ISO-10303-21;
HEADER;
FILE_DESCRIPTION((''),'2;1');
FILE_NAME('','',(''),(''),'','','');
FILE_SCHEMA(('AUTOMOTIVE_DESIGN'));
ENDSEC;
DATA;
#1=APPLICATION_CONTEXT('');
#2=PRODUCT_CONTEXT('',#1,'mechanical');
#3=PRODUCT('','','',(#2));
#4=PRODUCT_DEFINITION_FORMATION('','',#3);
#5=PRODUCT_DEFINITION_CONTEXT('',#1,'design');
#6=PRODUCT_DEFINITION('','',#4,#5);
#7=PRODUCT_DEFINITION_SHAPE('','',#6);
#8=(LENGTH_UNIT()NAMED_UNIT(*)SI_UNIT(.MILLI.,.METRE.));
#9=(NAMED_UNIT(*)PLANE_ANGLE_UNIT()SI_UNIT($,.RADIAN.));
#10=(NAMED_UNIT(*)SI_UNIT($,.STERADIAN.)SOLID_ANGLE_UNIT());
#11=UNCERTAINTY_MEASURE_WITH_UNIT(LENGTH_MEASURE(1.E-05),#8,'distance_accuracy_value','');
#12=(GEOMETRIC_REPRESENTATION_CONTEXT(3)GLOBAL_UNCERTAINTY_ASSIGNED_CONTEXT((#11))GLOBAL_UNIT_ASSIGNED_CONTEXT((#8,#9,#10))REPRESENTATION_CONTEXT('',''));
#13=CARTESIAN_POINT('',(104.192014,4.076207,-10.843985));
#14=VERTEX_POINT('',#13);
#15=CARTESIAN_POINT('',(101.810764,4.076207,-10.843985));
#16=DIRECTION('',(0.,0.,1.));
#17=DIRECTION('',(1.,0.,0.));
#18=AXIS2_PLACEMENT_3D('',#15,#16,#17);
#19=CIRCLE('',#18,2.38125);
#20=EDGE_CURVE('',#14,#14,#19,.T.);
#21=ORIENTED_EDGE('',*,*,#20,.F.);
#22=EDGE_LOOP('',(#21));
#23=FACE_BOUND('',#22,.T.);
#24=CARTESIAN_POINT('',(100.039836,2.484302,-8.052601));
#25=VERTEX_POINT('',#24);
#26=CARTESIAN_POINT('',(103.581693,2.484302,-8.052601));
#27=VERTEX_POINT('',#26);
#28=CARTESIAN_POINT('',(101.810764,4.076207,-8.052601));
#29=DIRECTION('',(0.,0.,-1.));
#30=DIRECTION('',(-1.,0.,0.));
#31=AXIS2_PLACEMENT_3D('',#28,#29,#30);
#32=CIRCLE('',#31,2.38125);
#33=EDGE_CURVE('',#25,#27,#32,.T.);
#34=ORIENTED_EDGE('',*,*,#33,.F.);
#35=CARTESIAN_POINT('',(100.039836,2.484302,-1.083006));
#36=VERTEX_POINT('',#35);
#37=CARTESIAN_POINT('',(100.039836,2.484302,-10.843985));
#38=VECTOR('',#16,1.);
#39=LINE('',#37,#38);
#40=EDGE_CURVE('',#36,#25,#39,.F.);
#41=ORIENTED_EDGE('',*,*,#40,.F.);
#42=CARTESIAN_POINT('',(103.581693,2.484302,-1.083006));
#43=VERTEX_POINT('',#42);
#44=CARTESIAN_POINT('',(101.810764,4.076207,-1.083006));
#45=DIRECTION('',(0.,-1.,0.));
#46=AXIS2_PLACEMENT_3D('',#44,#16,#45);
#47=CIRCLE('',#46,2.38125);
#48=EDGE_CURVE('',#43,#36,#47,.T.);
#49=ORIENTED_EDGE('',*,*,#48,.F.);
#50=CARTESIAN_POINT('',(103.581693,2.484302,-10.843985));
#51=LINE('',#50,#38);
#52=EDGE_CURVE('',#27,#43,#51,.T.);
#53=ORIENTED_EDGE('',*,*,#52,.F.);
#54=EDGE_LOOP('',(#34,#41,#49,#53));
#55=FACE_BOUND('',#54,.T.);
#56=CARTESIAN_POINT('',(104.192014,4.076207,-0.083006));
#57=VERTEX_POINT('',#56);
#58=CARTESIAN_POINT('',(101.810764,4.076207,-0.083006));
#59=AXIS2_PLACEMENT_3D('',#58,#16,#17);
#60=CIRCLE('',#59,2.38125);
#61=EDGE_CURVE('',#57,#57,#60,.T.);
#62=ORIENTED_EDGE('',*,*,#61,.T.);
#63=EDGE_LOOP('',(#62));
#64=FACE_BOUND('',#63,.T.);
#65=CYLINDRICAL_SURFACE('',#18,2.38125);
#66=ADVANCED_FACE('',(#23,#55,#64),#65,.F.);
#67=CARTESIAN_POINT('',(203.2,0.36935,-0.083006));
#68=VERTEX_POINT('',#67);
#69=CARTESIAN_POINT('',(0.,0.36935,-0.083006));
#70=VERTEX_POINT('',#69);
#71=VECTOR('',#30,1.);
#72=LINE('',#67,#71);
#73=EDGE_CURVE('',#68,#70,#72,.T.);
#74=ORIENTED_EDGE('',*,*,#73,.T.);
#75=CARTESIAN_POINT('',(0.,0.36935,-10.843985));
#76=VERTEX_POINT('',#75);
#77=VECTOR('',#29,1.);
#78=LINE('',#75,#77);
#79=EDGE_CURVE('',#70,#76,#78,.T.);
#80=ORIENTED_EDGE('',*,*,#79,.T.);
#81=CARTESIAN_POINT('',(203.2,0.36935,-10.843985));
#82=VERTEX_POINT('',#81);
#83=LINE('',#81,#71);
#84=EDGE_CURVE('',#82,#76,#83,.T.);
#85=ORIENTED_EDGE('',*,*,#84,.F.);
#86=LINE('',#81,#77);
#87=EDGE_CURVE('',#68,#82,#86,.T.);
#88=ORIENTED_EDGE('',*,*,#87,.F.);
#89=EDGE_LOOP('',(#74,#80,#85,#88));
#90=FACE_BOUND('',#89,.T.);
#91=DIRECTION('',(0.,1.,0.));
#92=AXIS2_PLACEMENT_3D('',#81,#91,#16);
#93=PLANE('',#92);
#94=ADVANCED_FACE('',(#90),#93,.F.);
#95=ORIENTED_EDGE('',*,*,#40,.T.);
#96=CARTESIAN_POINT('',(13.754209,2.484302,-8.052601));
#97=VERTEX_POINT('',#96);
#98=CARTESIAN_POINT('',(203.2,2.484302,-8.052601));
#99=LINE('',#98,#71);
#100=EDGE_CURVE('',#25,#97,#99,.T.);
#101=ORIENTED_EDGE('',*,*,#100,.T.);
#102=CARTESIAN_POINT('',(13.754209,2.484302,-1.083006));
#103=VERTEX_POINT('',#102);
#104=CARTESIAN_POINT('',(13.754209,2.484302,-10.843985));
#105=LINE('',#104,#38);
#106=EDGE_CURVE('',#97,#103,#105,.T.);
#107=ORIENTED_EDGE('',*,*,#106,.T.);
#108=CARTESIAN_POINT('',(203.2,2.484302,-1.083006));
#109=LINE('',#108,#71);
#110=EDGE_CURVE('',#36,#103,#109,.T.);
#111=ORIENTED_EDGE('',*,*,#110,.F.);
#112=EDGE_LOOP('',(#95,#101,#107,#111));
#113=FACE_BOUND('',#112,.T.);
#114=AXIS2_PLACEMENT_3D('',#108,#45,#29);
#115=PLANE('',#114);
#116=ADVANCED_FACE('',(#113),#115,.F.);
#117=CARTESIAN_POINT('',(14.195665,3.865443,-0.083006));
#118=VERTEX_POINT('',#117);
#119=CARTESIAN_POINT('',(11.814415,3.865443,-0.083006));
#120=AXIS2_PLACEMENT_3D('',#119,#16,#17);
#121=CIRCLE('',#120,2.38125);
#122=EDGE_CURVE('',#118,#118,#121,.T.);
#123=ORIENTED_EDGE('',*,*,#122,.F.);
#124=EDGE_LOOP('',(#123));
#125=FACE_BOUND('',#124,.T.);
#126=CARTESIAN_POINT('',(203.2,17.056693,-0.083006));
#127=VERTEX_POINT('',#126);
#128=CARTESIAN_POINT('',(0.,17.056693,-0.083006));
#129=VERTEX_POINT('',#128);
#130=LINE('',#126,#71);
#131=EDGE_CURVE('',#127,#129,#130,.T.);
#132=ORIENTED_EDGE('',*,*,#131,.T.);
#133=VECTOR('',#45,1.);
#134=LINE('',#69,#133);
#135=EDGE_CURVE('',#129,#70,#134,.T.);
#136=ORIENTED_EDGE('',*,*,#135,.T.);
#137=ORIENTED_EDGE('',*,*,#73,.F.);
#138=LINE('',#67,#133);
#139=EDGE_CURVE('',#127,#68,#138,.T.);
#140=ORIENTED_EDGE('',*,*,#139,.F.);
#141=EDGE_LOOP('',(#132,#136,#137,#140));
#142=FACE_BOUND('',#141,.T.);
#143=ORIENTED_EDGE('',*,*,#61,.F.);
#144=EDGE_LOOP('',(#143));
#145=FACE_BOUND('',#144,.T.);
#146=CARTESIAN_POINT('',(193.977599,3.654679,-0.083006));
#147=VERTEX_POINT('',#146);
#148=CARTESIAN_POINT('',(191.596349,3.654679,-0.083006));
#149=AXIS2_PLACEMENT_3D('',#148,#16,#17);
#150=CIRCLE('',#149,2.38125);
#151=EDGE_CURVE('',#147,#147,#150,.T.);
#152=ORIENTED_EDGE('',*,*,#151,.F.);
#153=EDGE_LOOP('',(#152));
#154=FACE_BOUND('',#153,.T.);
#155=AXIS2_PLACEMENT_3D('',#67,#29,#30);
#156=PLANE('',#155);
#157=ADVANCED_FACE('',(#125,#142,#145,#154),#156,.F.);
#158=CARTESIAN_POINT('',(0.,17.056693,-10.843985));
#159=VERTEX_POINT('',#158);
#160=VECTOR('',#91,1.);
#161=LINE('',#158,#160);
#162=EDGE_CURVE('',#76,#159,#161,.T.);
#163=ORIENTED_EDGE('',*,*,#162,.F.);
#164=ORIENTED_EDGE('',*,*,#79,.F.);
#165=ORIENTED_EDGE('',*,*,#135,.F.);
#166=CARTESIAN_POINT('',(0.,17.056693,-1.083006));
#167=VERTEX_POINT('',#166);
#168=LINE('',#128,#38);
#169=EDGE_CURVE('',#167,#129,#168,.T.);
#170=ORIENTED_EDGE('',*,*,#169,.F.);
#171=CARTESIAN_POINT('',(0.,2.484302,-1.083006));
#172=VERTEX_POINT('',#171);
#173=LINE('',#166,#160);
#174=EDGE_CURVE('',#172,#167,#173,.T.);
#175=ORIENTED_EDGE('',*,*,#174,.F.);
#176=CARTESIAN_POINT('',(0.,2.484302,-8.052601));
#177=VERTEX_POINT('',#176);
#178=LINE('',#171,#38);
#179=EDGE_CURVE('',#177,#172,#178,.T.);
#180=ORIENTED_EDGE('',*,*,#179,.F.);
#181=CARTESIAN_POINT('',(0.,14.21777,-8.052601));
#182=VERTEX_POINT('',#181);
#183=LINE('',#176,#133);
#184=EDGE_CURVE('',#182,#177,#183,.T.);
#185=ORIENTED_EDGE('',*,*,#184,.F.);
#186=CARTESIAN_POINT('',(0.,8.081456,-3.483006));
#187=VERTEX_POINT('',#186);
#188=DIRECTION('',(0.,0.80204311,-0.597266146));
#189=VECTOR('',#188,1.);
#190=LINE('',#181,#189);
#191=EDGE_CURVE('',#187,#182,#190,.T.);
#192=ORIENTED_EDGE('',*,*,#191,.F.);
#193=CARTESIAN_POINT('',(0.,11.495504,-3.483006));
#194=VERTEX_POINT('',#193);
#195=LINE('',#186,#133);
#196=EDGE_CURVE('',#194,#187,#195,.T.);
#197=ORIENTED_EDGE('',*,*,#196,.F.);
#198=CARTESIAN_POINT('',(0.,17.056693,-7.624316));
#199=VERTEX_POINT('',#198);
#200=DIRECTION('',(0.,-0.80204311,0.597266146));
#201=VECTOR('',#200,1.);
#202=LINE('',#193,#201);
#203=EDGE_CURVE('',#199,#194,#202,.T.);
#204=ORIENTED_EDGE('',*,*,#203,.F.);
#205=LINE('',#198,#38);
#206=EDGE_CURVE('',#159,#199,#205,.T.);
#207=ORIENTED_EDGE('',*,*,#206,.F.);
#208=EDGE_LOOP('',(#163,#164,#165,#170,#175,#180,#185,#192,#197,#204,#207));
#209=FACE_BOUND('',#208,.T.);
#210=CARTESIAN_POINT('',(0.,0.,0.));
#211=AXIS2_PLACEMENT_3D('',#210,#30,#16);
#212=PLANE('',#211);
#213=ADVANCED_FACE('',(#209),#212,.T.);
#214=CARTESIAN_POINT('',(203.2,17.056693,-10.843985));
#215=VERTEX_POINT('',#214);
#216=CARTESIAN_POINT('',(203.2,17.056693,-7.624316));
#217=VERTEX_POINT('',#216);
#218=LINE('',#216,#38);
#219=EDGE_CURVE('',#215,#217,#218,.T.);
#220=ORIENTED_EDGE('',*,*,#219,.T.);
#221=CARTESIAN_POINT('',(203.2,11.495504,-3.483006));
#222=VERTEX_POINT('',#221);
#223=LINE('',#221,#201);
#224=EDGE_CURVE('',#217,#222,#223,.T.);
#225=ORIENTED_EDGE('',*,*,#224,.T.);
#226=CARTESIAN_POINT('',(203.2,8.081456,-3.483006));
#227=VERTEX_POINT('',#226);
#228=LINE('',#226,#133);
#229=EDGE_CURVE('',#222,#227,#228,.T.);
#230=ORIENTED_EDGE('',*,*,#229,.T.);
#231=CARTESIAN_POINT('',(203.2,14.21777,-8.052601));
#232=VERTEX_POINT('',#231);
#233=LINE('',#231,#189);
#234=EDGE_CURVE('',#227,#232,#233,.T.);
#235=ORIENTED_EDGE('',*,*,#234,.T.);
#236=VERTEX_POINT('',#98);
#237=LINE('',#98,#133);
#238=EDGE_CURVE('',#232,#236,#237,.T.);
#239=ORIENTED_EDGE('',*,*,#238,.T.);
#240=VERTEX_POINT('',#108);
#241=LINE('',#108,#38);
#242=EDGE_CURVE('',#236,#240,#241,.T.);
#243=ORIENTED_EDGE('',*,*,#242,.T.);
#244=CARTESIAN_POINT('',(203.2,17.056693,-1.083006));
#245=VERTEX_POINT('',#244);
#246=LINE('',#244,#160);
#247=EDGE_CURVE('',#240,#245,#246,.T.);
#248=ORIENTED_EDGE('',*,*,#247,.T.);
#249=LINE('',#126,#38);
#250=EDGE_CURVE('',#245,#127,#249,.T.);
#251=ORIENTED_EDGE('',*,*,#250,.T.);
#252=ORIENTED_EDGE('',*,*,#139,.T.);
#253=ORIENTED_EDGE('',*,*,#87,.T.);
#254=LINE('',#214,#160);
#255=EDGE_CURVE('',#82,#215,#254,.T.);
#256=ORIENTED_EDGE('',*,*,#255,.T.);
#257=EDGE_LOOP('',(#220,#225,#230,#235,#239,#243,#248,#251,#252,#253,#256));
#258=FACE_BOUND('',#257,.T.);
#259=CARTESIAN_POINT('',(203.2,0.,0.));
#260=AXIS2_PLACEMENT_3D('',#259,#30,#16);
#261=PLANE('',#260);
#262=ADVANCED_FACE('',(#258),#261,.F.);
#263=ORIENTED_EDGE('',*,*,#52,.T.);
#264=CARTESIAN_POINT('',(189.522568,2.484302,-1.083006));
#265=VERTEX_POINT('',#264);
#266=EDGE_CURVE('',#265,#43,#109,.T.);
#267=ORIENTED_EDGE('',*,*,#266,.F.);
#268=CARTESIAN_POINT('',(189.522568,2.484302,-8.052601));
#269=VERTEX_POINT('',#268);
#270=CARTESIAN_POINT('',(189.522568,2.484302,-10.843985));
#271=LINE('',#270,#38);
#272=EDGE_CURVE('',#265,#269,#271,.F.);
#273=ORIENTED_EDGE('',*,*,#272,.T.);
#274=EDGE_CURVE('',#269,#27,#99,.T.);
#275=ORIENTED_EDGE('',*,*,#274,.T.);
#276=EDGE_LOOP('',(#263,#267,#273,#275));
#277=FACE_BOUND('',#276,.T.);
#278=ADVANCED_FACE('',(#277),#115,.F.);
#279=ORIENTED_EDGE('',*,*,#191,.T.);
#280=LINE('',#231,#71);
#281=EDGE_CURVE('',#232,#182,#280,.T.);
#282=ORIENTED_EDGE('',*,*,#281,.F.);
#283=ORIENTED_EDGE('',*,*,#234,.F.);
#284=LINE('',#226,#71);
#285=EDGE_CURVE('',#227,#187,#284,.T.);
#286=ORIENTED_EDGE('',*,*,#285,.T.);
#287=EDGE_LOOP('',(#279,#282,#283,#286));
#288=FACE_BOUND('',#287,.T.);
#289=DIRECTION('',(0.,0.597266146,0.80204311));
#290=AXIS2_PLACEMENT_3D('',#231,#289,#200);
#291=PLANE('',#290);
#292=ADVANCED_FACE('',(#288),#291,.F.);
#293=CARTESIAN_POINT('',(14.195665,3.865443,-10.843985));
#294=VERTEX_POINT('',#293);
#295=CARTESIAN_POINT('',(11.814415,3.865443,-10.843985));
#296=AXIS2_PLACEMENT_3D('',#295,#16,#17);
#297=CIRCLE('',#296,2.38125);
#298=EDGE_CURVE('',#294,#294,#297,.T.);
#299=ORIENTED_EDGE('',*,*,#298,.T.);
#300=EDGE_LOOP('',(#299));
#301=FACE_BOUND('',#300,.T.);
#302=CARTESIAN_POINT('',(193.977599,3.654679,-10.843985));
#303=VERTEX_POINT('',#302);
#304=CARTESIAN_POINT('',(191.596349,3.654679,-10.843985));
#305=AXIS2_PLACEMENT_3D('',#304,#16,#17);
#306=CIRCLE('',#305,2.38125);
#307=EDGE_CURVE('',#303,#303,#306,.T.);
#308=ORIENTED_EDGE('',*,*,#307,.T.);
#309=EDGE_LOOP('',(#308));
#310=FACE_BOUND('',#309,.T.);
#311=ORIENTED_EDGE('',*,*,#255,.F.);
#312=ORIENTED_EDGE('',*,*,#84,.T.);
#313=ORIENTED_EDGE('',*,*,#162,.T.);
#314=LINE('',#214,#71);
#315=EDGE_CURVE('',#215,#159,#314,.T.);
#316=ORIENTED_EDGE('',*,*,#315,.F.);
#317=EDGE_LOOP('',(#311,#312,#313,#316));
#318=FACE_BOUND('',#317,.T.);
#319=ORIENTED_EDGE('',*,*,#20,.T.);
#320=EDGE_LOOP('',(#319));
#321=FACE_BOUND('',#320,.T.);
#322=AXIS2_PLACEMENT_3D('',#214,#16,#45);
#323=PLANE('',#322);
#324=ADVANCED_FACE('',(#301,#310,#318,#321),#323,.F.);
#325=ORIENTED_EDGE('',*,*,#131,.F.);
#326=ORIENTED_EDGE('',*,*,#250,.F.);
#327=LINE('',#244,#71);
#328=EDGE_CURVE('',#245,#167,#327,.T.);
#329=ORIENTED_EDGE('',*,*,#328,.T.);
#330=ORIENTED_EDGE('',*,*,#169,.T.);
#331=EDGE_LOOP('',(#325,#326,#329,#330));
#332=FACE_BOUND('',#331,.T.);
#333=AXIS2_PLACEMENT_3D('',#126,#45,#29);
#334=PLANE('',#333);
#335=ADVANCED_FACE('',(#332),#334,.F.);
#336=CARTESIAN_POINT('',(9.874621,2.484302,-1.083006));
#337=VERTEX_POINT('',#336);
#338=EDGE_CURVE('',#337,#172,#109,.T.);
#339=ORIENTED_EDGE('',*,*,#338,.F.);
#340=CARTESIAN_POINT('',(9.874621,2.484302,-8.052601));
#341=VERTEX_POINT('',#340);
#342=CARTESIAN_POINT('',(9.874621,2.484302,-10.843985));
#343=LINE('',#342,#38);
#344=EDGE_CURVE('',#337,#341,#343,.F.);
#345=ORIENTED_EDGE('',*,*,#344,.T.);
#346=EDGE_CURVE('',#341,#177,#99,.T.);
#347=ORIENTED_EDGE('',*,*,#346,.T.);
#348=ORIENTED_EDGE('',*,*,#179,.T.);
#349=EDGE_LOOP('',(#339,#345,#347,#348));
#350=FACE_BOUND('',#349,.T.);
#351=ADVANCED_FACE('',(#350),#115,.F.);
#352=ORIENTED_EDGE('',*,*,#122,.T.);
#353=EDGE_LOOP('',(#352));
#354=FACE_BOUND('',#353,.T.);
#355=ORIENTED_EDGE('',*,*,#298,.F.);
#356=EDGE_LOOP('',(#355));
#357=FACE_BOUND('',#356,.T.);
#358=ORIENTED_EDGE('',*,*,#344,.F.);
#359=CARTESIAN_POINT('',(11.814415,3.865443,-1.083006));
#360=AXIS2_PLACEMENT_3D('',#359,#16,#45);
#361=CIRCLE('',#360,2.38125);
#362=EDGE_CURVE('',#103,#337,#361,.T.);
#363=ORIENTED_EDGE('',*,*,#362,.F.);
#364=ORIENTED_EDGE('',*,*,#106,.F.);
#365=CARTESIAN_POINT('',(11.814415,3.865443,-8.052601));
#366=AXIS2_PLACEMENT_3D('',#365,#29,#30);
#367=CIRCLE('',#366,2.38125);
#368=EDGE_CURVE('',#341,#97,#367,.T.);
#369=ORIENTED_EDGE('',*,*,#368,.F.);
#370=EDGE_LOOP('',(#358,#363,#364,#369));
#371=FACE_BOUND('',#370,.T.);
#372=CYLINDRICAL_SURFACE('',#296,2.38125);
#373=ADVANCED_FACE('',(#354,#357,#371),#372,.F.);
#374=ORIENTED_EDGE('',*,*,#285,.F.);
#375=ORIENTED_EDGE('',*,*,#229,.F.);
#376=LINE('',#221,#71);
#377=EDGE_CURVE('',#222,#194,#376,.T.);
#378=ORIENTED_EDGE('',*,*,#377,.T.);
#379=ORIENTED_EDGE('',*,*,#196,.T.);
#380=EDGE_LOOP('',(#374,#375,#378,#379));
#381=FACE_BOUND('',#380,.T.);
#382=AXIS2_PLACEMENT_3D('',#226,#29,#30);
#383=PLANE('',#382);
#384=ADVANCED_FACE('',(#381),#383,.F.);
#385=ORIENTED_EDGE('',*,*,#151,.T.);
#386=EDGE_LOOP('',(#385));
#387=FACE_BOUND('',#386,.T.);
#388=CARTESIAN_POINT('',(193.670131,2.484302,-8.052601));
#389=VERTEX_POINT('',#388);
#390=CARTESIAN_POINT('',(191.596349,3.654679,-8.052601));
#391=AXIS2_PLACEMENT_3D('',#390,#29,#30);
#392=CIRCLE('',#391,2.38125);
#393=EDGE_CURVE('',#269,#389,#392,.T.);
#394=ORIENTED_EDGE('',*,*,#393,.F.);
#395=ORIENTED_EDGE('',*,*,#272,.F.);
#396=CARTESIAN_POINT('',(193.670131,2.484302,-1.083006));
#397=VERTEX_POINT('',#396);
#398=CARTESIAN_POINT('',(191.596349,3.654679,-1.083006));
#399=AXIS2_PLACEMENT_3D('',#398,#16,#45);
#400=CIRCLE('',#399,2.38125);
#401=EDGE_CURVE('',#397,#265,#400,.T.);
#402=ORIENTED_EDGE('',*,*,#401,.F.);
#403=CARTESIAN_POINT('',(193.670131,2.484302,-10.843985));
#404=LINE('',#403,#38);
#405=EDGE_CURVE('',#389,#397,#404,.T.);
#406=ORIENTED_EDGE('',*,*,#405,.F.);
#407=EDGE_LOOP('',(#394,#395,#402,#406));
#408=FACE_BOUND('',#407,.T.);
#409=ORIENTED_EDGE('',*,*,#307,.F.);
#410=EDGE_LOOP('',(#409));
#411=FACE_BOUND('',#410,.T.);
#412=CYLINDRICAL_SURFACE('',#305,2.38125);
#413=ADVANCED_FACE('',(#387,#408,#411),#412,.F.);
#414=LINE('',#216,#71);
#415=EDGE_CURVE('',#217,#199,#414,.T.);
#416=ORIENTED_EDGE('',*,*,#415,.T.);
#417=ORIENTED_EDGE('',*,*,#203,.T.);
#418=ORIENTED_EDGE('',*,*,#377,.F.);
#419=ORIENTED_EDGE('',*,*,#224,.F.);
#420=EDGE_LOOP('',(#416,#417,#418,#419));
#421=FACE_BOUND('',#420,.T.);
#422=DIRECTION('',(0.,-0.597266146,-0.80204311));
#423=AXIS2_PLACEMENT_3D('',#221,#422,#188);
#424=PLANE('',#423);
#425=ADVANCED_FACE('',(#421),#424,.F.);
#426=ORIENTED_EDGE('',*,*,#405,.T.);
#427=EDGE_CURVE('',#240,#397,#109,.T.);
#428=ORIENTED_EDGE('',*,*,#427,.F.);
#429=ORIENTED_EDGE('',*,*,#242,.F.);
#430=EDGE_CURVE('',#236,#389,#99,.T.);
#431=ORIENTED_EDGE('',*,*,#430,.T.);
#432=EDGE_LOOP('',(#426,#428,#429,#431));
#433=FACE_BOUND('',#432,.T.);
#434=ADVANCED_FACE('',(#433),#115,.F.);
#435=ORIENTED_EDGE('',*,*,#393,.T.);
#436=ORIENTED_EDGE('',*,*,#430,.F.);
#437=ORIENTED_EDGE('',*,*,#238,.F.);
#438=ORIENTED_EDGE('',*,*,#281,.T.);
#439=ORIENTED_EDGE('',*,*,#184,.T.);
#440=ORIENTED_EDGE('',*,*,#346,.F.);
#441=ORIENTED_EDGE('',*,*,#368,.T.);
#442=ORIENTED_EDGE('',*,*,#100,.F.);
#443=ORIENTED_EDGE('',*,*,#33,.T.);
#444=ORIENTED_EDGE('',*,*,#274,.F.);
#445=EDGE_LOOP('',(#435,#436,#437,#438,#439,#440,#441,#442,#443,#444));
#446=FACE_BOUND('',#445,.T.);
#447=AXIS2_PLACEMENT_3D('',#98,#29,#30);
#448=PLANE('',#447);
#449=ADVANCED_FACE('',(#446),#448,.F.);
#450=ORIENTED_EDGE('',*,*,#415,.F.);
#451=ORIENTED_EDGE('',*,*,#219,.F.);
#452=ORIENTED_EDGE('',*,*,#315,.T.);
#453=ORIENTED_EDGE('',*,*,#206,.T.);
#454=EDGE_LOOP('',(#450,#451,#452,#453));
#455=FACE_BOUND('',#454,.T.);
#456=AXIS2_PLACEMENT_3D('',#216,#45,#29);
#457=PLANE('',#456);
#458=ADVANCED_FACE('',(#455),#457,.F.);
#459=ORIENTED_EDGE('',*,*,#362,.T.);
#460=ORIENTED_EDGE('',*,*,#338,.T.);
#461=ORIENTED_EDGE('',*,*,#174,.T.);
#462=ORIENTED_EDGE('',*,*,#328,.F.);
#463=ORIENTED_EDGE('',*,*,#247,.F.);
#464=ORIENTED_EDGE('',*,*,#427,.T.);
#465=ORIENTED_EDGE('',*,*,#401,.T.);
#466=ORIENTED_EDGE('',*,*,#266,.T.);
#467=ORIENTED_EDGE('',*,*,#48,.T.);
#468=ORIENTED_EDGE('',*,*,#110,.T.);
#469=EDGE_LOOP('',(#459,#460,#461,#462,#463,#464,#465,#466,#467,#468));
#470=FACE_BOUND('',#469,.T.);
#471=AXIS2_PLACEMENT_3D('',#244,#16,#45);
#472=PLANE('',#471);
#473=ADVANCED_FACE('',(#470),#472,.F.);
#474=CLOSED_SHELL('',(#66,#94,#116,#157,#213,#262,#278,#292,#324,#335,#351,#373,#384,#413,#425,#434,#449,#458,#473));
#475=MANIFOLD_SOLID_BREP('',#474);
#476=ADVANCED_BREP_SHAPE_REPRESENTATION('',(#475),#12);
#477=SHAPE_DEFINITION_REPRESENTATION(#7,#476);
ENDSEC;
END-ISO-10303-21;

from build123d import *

# Parameters (mm, degrees)
BOSS_EXTRUDE1_DEPTH = 203.2
SKETCH2_R           = 2.38125
CUT_EXTRUDE1_DEPTH  = 205.198358087


with BuildPart() as part:
    # Sketch1 → Boss-Extrude1 (new body)
    with BuildSketch(Plane(origin=(0, 0, 0), x_dir=(0, 0, -1), z_dir=(1, 0, 0))):
        Polygon((0.083005599, 0.369350394), (0.083005599, 17.056692613), (1.083005599, 17.056692613), (1.083005599, 2.484301558), (8.052601156, 2.484301558), (8.052601156, 14.217769965), (3.483005599, 8.08145593), (3.483005599, 11.495503821), (7.624316401, 17.056692613), (10.84398523, 17.056692613), (10.84398523, 0.369350394), align=None)
    extrude(amount=BOSS_EXTRUDE1_DEPTH)

    # Sketch2 → Cut-Extrude1 (cut, through all)
    with BuildSketch(Plane.XY.offset(-0.083005599)):
        with Locations((11.814414866, 3.865442963)):
            Circle(SKETCH2_R)
        with Locations((191.596349419, 3.654678679)):
            Circle(SKETCH2_R)
        with Locations((101.810764284, 4.076207247)):
            Circle(SKETCH2_R)
    extrude(amount=-CUT_EXTRUDE1_DEPTH, mode=Mode.SUBTRACT)


solid = part.part
